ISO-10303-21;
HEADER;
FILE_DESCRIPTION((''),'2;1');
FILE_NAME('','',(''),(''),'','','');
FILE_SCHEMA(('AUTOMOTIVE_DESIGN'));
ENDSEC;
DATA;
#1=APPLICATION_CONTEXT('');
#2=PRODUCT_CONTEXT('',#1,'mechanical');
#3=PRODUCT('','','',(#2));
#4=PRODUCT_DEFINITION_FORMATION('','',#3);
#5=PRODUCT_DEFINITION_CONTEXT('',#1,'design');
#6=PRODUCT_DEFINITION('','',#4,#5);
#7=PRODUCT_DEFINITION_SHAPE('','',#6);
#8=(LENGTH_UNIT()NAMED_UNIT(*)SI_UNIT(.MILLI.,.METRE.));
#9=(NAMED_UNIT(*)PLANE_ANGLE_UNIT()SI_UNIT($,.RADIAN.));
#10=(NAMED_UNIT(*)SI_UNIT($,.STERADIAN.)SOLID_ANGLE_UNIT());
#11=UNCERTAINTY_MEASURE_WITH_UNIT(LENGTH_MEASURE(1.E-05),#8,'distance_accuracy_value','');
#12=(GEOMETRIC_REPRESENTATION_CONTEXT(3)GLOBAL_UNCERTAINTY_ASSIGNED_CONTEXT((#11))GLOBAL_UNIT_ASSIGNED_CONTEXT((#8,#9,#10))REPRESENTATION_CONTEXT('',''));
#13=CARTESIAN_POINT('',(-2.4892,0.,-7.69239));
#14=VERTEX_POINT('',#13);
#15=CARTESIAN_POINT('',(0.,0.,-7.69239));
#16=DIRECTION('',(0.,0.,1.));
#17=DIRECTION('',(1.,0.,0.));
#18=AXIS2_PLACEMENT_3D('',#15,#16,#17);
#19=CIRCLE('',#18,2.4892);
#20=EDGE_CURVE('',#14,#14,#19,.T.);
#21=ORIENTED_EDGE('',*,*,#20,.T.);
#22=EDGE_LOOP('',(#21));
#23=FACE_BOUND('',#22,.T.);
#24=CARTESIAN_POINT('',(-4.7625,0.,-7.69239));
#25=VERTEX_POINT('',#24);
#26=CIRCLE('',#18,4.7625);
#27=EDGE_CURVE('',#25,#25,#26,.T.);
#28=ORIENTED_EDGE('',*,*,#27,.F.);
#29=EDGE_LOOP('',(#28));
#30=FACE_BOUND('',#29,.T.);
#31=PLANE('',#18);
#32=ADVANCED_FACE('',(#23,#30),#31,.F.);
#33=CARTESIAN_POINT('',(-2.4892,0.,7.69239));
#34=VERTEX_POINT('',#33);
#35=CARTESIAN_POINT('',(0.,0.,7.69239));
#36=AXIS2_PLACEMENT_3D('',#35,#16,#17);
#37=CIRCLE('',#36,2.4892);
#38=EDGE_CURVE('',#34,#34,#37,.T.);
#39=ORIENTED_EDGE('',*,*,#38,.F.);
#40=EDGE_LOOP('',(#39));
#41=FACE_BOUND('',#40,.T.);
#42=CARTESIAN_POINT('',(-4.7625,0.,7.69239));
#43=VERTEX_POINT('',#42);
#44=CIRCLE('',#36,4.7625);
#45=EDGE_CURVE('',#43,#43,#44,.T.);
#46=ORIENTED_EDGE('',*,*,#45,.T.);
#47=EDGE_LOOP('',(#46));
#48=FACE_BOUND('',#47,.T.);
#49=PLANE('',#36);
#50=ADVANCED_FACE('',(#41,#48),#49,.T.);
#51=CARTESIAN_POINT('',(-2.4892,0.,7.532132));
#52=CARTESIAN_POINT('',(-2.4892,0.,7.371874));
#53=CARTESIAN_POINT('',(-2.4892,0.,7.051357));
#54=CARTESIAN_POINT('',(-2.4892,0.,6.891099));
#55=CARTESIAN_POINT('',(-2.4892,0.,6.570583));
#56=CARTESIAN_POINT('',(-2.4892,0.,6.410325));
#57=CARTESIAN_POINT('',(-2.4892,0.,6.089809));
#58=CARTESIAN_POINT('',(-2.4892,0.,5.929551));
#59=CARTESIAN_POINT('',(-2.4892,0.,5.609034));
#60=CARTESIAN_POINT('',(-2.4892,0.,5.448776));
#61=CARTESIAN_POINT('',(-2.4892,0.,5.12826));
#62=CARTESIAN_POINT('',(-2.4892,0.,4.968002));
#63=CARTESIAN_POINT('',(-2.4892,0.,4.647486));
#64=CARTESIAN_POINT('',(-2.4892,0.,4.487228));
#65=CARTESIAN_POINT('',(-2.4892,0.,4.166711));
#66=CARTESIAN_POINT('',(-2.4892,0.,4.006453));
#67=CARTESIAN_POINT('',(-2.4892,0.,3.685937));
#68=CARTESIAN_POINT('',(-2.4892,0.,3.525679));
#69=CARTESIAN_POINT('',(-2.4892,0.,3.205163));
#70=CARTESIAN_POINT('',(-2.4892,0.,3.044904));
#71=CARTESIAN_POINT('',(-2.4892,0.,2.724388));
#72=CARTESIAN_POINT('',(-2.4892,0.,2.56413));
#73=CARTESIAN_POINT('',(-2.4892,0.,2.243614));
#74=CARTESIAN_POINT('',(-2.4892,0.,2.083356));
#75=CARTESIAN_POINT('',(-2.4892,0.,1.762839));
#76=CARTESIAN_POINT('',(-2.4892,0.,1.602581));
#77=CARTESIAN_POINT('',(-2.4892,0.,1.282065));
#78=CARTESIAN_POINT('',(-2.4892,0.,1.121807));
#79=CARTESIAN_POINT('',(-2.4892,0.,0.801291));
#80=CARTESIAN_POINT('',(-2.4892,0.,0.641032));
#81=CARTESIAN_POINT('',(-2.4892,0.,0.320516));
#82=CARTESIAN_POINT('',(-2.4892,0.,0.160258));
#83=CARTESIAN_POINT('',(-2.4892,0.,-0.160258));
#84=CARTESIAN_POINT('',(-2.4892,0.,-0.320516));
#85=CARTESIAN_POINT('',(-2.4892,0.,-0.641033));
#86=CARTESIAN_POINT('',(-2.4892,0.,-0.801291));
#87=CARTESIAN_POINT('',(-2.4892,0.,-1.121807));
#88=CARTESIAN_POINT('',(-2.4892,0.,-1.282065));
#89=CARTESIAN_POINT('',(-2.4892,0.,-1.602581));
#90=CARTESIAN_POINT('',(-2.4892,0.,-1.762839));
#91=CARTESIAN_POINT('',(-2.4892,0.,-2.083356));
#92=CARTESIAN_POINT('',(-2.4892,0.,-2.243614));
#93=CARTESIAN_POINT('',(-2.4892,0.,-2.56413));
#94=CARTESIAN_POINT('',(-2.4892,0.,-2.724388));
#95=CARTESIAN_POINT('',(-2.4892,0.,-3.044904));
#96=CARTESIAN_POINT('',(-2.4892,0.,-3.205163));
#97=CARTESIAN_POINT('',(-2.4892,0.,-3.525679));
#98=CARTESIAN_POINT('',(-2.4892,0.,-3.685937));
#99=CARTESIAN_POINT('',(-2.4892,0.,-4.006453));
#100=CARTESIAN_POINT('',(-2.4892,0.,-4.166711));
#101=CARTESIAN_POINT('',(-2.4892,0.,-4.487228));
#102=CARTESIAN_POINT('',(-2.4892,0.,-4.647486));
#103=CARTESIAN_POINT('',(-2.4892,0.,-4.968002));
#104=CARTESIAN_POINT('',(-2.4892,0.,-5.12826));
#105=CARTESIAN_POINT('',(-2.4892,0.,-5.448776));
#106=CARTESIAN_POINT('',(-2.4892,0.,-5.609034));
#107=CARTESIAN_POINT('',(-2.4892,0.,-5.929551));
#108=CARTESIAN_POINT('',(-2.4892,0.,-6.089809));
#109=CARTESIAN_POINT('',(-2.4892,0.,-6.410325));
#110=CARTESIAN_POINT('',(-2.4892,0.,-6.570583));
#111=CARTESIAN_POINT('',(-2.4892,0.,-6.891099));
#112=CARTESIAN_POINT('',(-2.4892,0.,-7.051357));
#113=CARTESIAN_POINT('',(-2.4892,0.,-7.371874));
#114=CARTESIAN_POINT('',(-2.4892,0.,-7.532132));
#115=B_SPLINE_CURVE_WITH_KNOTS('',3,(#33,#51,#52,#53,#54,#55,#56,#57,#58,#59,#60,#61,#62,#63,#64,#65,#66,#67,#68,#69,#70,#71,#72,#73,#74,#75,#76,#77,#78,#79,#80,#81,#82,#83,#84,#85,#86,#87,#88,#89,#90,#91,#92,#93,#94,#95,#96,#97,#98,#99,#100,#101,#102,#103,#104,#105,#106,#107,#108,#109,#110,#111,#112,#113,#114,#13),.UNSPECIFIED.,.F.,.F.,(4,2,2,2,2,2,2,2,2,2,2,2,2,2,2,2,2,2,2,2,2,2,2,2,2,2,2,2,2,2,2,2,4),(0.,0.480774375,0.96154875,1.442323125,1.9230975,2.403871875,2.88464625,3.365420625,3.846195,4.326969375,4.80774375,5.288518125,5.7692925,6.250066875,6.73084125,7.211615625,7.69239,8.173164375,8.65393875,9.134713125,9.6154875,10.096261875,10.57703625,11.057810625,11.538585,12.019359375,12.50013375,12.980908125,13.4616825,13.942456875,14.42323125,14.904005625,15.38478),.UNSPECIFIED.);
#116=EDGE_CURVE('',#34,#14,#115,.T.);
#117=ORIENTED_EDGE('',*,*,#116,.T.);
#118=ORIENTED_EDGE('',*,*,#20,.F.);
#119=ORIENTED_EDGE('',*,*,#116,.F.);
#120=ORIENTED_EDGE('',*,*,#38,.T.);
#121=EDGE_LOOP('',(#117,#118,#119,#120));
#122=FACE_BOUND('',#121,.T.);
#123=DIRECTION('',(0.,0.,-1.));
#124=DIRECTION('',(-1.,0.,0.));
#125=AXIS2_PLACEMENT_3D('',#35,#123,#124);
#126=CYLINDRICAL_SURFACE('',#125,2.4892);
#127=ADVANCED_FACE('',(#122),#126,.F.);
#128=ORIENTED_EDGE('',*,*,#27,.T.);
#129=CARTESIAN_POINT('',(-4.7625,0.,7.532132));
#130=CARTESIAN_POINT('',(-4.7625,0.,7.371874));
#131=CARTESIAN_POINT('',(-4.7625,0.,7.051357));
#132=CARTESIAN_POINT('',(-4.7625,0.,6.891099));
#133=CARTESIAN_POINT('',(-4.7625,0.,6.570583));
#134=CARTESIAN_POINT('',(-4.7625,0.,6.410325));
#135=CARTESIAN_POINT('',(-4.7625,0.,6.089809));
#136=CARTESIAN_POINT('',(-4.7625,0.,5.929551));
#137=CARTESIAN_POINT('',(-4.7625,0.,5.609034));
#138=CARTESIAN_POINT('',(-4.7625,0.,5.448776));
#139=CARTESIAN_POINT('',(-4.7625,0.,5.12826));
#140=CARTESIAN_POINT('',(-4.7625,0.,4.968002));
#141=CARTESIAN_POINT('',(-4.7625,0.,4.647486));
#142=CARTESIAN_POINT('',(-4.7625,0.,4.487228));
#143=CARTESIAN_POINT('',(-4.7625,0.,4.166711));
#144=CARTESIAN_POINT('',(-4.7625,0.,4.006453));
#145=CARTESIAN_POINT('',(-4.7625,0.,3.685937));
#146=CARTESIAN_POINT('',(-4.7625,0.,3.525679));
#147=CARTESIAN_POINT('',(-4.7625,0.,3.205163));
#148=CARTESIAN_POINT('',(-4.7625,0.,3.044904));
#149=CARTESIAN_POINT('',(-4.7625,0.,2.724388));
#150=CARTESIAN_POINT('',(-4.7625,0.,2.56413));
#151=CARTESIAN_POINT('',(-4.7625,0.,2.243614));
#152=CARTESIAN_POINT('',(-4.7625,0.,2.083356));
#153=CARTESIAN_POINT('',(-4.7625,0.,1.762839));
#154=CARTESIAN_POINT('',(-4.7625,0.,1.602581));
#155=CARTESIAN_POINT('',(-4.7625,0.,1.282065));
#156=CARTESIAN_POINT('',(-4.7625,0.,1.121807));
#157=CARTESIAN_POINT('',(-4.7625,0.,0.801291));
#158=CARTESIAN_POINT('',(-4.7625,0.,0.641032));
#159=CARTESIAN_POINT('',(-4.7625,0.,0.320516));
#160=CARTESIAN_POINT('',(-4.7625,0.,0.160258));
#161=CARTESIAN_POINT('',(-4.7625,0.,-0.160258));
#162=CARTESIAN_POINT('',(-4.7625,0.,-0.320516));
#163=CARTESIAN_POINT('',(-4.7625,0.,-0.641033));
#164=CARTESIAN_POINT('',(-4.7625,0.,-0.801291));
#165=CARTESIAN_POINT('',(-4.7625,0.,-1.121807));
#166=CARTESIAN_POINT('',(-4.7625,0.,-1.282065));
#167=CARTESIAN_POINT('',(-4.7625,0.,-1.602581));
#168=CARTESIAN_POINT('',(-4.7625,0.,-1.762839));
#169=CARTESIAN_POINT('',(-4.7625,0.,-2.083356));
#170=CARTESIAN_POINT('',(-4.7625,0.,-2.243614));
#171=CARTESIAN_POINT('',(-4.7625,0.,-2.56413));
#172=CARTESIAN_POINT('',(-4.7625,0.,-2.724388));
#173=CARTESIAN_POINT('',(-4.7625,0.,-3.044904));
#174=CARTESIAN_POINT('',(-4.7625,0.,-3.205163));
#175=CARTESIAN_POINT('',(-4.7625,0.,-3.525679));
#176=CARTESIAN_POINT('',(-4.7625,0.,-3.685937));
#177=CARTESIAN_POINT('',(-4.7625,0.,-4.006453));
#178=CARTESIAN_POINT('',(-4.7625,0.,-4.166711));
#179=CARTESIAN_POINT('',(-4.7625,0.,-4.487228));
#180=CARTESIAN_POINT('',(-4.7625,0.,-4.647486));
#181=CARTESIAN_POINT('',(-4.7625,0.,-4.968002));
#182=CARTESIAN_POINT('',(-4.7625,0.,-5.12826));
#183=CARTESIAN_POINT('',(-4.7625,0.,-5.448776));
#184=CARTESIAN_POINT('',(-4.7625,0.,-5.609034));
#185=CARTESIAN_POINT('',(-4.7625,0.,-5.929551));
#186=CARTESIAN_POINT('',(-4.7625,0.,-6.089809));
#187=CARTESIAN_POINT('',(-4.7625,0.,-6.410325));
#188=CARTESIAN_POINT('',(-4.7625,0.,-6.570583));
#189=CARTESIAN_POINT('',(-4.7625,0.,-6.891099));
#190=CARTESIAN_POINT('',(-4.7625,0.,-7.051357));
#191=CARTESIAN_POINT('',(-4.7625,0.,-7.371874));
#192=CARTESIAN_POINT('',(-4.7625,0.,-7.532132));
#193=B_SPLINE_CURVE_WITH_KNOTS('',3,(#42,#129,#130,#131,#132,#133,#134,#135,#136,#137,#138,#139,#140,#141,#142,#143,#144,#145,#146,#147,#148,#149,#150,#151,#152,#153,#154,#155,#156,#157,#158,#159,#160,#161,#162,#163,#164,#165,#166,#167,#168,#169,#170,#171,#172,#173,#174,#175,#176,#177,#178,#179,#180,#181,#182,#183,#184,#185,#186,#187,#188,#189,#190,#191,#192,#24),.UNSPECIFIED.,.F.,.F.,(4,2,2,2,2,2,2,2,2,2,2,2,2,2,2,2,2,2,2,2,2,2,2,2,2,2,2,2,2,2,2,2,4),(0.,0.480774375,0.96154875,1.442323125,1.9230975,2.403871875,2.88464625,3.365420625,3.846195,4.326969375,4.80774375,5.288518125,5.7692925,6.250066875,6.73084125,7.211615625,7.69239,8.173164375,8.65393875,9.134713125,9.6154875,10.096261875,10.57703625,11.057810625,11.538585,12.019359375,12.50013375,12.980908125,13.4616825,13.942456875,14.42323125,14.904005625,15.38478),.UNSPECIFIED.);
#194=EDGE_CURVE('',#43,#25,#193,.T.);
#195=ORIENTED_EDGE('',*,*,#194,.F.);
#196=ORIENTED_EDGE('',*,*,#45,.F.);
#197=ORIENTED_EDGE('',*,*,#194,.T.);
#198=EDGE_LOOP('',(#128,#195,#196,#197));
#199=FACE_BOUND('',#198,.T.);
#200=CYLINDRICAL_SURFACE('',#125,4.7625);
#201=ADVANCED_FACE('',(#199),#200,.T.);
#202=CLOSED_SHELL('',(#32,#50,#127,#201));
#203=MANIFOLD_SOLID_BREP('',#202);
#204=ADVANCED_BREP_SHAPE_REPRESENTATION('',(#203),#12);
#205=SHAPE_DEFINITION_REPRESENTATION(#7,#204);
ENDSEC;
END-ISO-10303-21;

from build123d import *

# Parameters (mm, degrees)
SKETCH1_R           = 4.7625
SKETCH1_R_2         = 2.4892
BOSS_EXTRUDE1_DEPTH = 7.69239


with BuildPart() as part:
    # Sketch1 → Boss-Extrude1 (new, symmetric)
    with BuildSketch(Plane.XY):
        with Locations(Location((0, 0, 0), (0, 0, 180))):
            Circle(SKETCH1_R)
        with Locations(Location((0, 0, 0), (0, 0, 180))):
            Circle(SKETCH1_R_2, mode=Mode.SUBTRACT)
    extrude(amount=BOSS_EXTRUDE1_DEPTH, both=True)


solid = part.part
